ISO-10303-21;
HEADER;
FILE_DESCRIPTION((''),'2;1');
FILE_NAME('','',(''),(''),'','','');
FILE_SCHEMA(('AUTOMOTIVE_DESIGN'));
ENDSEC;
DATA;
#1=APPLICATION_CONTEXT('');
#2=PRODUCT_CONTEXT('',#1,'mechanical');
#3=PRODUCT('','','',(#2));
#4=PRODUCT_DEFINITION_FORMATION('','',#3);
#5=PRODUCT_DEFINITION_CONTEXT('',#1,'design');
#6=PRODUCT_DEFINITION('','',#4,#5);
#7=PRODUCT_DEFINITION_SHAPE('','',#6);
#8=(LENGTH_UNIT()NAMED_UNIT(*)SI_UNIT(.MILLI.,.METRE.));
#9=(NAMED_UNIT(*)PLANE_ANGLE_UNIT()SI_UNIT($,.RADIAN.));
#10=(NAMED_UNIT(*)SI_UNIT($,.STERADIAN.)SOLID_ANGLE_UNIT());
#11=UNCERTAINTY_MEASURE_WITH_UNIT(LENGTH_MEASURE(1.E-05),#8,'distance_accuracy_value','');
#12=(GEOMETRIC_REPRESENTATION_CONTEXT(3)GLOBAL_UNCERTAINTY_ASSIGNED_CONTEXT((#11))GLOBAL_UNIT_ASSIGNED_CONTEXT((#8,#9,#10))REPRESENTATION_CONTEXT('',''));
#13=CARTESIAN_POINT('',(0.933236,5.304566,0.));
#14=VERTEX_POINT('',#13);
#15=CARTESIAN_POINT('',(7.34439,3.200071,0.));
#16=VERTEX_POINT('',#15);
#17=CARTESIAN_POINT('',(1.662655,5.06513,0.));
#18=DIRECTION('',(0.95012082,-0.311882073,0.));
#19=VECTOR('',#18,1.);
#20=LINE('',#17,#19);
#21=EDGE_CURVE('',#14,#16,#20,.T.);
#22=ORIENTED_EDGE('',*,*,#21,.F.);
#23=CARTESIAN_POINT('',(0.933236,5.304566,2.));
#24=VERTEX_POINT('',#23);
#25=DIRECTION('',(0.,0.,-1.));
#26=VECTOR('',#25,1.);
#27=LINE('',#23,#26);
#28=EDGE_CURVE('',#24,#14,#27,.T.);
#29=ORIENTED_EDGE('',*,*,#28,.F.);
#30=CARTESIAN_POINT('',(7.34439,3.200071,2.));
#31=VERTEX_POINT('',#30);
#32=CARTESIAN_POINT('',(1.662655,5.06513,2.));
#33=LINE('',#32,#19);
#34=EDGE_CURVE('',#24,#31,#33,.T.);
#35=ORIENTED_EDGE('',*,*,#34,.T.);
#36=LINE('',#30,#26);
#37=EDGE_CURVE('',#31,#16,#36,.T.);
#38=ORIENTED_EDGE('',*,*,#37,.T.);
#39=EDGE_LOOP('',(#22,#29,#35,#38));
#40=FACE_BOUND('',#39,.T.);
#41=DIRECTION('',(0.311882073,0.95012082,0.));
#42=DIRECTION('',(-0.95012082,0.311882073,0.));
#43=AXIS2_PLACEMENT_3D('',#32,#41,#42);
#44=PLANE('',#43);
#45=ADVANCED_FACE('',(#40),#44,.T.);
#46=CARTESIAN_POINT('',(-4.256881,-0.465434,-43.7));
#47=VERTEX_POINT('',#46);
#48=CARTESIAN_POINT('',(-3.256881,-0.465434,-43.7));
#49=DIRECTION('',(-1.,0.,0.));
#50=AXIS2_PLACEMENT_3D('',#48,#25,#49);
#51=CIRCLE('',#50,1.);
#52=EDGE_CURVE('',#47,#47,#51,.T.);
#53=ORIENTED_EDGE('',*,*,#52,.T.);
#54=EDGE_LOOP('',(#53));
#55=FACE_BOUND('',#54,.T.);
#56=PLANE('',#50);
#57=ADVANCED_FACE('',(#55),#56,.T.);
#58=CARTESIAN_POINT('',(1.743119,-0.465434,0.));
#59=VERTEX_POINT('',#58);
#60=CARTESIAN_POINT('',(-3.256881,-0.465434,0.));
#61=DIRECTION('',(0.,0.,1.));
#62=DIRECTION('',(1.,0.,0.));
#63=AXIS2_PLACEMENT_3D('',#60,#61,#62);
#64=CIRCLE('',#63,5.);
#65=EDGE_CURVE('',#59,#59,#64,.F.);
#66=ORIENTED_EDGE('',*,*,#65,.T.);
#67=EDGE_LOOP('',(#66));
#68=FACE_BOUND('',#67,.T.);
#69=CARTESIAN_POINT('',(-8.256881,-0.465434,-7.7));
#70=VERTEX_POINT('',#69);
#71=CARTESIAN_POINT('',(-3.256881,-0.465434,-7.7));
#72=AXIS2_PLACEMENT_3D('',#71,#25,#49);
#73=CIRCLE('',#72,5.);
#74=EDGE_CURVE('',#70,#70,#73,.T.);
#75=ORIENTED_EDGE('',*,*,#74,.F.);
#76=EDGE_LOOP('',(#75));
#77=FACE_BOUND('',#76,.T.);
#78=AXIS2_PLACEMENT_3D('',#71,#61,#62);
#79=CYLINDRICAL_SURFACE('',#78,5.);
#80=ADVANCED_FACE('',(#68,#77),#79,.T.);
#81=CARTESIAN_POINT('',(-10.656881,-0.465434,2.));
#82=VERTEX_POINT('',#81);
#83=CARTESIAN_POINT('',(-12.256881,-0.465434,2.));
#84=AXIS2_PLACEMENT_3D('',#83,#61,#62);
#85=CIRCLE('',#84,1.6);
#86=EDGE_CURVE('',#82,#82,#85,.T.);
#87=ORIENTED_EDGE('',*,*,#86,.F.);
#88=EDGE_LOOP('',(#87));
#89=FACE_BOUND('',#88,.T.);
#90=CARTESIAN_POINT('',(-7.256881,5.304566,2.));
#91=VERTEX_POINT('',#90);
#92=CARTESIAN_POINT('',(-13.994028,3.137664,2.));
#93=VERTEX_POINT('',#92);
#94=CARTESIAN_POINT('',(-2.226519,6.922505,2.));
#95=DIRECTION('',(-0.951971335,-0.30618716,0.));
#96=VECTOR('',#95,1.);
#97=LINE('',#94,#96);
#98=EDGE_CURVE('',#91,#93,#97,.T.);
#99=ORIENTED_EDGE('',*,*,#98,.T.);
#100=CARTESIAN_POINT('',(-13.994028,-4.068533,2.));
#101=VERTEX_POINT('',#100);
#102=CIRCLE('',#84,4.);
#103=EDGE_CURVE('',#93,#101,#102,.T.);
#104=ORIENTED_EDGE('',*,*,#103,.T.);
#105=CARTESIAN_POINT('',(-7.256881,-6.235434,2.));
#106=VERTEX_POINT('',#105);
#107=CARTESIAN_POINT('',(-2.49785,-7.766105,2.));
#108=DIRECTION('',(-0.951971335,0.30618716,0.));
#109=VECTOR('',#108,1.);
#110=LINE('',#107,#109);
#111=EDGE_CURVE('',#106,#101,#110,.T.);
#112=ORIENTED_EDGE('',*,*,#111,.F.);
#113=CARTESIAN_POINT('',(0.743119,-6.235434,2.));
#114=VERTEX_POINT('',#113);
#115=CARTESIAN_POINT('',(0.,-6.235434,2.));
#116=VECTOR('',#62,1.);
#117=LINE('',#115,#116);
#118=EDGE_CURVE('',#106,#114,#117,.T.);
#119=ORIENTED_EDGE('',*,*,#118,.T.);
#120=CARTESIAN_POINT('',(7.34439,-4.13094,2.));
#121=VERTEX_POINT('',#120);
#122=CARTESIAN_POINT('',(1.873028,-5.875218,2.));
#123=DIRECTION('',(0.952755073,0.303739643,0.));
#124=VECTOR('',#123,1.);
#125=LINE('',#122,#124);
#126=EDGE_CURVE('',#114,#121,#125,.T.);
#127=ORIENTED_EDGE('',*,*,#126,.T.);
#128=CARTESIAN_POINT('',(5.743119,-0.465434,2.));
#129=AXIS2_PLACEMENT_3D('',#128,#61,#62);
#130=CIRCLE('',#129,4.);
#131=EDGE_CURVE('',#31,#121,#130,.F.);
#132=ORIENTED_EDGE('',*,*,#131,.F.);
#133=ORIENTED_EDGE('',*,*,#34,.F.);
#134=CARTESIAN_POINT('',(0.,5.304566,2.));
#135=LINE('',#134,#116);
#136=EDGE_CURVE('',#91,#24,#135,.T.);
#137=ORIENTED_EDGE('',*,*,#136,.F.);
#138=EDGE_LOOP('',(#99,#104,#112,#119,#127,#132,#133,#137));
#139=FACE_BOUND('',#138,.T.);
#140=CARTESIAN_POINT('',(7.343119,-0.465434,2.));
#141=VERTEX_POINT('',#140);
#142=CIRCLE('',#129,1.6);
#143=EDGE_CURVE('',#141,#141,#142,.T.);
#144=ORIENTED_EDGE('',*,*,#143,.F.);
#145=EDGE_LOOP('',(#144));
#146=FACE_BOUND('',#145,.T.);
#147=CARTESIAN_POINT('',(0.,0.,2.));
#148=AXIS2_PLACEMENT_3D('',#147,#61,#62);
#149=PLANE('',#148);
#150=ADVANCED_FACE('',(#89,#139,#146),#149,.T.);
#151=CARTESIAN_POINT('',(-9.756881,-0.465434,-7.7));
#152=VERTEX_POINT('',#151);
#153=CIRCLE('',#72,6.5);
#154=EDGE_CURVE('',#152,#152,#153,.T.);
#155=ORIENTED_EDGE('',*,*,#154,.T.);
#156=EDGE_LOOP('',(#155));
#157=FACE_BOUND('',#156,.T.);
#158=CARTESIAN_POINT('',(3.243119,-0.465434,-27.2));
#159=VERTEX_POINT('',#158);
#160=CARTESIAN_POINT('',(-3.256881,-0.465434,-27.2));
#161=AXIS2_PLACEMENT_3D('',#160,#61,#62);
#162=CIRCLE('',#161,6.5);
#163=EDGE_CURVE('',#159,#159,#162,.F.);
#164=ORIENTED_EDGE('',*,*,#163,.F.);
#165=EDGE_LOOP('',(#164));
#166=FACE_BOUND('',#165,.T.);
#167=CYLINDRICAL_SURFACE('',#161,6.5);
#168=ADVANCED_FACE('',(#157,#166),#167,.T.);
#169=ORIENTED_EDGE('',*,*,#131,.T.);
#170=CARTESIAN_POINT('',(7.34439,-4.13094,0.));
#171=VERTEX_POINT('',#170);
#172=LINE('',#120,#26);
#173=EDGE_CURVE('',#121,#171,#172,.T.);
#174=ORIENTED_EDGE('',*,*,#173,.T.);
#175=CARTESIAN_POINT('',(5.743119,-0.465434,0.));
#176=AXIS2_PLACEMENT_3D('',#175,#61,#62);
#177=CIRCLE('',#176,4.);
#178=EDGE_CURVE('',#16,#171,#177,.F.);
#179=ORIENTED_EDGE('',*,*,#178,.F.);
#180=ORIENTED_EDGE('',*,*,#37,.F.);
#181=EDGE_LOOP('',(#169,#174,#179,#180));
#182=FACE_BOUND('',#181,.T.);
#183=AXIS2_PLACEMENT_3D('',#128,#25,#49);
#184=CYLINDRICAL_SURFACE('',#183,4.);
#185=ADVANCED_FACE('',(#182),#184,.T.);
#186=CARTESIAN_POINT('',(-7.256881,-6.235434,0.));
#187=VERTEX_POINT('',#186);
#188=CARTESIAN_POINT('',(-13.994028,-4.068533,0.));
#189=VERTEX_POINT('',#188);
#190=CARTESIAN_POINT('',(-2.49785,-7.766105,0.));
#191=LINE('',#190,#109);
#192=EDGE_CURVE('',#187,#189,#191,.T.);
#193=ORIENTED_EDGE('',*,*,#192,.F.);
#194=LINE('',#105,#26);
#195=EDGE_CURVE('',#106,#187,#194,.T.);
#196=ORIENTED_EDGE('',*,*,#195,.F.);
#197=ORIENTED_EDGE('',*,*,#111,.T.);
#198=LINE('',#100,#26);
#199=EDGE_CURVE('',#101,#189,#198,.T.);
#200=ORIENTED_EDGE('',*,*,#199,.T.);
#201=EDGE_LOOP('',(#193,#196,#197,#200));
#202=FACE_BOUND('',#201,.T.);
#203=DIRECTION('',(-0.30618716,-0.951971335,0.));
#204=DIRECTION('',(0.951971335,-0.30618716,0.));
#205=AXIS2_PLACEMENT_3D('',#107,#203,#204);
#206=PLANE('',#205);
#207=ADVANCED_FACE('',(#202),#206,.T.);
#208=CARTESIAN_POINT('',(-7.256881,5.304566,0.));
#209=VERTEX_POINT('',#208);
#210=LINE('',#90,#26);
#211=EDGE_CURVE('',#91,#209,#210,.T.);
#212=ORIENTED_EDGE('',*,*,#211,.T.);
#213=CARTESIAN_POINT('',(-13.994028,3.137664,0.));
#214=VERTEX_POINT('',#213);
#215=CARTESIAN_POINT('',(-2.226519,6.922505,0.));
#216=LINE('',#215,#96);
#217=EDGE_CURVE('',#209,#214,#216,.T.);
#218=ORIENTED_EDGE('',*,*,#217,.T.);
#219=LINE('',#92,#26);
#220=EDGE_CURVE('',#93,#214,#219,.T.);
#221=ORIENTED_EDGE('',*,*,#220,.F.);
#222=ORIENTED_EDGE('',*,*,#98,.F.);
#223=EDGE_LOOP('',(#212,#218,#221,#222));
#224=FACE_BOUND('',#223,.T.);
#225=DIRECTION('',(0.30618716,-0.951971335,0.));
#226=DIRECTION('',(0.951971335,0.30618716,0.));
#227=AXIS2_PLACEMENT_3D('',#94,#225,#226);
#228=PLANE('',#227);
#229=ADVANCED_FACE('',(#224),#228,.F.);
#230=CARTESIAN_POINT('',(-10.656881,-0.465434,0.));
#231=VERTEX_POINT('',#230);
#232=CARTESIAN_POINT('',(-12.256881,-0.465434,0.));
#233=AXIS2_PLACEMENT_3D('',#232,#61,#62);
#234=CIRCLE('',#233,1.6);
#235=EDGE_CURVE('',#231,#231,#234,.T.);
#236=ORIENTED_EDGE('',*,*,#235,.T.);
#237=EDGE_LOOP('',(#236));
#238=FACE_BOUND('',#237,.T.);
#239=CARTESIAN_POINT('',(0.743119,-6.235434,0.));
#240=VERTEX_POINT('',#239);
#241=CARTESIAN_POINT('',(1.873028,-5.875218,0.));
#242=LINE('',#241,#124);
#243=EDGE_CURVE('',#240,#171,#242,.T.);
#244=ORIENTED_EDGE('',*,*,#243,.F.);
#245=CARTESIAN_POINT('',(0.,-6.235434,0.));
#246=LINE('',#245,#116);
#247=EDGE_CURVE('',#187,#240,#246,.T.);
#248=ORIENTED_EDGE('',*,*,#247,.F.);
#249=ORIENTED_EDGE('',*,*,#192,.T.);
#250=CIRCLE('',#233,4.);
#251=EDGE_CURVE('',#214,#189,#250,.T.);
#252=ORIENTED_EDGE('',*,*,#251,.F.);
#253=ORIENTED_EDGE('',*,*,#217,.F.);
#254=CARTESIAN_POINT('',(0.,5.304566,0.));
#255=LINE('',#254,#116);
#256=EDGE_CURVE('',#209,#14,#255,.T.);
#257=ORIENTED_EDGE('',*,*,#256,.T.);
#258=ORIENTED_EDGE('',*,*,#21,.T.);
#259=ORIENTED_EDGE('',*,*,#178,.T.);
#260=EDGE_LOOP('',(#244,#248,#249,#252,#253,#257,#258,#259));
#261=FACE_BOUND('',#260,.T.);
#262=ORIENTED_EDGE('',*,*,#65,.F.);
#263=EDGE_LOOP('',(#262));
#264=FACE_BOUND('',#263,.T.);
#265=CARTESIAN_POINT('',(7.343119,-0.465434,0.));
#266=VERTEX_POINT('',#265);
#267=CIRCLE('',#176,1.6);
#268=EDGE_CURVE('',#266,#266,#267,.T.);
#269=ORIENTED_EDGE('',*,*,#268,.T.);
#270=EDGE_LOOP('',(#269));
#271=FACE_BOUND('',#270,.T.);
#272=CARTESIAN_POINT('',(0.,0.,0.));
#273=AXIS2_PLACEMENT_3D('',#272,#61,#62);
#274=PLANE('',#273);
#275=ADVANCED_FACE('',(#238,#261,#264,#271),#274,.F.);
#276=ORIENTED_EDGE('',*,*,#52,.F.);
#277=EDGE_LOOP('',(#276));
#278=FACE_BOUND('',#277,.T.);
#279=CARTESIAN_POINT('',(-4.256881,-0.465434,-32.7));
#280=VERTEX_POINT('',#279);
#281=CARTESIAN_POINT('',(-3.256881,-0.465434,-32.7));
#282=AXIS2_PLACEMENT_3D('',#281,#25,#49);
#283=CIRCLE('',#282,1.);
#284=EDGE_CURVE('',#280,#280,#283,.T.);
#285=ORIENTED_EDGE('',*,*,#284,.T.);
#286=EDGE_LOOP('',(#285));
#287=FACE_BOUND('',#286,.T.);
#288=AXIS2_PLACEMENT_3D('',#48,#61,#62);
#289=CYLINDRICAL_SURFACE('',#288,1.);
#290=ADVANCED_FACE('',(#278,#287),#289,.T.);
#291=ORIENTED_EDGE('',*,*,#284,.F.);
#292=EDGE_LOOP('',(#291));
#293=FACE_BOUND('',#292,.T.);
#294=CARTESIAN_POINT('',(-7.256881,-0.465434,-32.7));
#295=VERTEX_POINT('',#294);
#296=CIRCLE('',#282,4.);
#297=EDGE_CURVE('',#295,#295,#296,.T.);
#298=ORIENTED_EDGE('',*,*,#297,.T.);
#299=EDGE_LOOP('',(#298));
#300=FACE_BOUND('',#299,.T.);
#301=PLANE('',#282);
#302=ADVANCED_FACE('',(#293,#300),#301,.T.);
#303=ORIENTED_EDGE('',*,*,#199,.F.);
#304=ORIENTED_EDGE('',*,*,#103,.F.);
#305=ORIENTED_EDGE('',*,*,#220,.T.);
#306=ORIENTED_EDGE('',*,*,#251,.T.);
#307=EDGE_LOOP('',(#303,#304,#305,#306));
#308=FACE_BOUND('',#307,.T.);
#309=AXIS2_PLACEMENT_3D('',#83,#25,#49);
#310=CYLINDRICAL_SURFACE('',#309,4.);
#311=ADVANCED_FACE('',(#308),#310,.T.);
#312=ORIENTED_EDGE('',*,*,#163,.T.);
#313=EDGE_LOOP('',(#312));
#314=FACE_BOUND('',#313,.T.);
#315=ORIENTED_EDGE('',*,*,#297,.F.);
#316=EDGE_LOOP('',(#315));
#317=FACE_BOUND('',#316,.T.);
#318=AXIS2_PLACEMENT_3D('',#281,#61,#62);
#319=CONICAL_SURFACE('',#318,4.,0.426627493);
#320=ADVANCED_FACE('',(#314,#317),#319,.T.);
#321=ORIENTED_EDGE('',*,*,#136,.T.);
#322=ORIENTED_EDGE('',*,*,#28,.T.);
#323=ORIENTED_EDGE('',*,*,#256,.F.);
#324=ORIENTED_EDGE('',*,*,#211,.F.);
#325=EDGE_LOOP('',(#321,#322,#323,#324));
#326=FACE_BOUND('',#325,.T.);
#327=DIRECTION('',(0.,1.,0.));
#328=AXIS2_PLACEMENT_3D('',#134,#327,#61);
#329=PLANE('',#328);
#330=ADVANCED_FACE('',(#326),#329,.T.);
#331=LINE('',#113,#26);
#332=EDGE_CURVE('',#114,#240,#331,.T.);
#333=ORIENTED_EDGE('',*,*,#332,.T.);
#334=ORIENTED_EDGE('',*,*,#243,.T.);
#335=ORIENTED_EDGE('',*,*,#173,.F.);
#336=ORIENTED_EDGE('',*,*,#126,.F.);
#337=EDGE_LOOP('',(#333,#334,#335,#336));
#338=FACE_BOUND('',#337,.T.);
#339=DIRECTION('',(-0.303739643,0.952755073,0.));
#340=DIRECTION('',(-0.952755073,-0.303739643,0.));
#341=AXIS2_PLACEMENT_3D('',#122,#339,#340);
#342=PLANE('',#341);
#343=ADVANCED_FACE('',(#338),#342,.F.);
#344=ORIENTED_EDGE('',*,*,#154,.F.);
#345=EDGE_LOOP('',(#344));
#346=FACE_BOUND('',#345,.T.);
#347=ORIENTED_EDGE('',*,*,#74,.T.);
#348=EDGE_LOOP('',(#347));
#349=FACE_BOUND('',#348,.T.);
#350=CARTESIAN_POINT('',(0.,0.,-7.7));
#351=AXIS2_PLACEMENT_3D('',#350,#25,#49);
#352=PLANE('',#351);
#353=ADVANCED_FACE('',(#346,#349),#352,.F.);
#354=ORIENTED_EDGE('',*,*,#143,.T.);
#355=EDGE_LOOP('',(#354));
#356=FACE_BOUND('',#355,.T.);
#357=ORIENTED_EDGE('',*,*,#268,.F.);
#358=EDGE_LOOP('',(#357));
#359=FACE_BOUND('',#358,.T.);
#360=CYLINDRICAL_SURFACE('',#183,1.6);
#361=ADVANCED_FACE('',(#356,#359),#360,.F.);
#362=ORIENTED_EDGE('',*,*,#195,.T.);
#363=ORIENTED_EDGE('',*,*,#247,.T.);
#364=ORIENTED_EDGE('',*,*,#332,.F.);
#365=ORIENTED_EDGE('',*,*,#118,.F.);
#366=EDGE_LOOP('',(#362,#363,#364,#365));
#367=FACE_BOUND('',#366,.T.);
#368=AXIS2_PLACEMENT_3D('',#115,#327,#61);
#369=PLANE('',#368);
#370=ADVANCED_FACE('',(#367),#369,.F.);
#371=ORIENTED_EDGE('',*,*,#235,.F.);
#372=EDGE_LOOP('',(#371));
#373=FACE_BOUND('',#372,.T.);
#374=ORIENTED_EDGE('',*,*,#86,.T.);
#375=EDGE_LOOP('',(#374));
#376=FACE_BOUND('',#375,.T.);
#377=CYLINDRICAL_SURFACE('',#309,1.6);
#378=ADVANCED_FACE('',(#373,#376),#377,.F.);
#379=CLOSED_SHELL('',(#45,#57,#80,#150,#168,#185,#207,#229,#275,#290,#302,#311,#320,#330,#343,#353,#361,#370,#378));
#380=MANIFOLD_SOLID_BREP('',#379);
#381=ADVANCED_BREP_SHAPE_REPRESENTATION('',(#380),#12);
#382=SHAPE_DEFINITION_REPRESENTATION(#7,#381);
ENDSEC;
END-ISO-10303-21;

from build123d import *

# Parameters (mm, degrees)
SKETCH_1_R      = 1.6
EXTRUDE_1_DEPTH = 2
SKETCH_2_R      = 5
EXTRUDE_2_DEPTH = 7.7
SKETCH_3_R      = 6.5
SKETCH_3_R_2    = 5
EXTRUDE_3_DEPTH = 19.5
SKETCH_4_R      = 4
SKETCH_5_R      = 1
EXTRUDE_4_DEPTH = 11


with BuildPart() as part:
    # 草图1 → 凸台-拉伸1 (new body)
    with BuildSketch(Plane.XY):
        with BuildLine():
            Line((0.933236487, 5.304565516), (-7.256880734, 5.304565516))
            Line((-7.256880734, 5.304565516), (-13.994027653, 3.137664263))
            ThreePointArc((-13.994027653, 3.137664263), (-16.256880734, -0.465434484), (-13.994027653, -4.068533231))
            Line((-13.994027653, -4.068533231), (-7.256880734, -6.235434484))
            Line((-7.256880734, -6.235434484), (0.743119266, -6.235434484))
            Line((0.743119266, -6.235434484), (7.344389981, -4.130940192))
            ThreePointArc((7.344389981, -4.130940192), (9.743119266, -0.465434484), (7.344389981, 3.200071224))
            Line((7.344389981, 3.200071224), (0.933236487, 5.304565516))
        make_face()
        with Locations((-12.256880734, -0.465434484)):
            Circle(SKETCH_1_R, mode=Mode.SUBTRACT)
        with Locations((5.743119266, -0.465434484)):
            Circle(SKETCH_1_R, mode=Mode.SUBTRACT)
    extrude(amount=EXTRUDE_1_DEPTH)

    # 草图2 → 凸台-拉伸2 (add)
    with BuildSketch(Plane(origin=(0, 0, 0), x_dir=(-1, 0, 0), z_dir=(0, 0, -1))):
        with Locations((3.256880734, -0.465434484)):
            Circle(SKETCH_2_R)
    extrude(amount=EXTRUDE_2_DEPTH)

    # 草图3 → 凸台-拉伸3 (add)
    with BuildSketch(Plane(origin=(0, 0, -7.7), x_dir=(-1, 0, 0), z_dir=(0, 0, -1))):
        with Locations((3.256880734, -0.465434484)):
            Circle(SKETCH_3_R)
        with Locations((3.256880734, -0.465434484)):
            Circle(SKETCH_3_R_2, mode=Mode.SUBTRACT)
        with BuildLine():
            ThreePointArc((-1.743119266, -0.465434484), (3.256880734, -5.465434484), (8.256880734, -0.465434484))
            Line((8.256880734, -0.465434484), (-1.743119266, -0.465434484))
        make_face()
        with BuildLine():
            Line((-1.743119266, -0.465434484), (8.256880734, -0.465434484))
            ThreePointArc((8.256880734, -0.465434484), (3.256880734, 4.534565516), (-1.743119266, -0.465434484))
        make_face()
    extrude(amount=EXTRUDE_3_DEPTH)

    # 草图4 → section 0 of loft_1
    with BuildSketch(Plane(origin=(0, 0, -32.7), x_dir=(-1, 0, 0), z_dir=(0, 0, -1)), mode=Mode.PRIVATE) as loft_1_s0:
        with Locations((3.256880734, -0.465434484)):
            Circle(SKETCH_4_R)
    # loft up to a face of the part (loft_1)
    loft([loft_1_s0.sketch, part.faces().sort_by_distance((-3.256880734, -0.465434484, -27.2))[0]])

    # 草图5 → 凸台-拉伸4 (add)
    with BuildSketch(Plane(origin=(0, 0, -32.7), x_dir=(-1, 0, 0), z_dir=(0, 0, -1))):
        with Locations((3.256880734, -0.465434484)):
            Circle(SKETCH_5_R)
    extrude(amount=EXTRUDE_4_DEPTH)


solid = part.part
